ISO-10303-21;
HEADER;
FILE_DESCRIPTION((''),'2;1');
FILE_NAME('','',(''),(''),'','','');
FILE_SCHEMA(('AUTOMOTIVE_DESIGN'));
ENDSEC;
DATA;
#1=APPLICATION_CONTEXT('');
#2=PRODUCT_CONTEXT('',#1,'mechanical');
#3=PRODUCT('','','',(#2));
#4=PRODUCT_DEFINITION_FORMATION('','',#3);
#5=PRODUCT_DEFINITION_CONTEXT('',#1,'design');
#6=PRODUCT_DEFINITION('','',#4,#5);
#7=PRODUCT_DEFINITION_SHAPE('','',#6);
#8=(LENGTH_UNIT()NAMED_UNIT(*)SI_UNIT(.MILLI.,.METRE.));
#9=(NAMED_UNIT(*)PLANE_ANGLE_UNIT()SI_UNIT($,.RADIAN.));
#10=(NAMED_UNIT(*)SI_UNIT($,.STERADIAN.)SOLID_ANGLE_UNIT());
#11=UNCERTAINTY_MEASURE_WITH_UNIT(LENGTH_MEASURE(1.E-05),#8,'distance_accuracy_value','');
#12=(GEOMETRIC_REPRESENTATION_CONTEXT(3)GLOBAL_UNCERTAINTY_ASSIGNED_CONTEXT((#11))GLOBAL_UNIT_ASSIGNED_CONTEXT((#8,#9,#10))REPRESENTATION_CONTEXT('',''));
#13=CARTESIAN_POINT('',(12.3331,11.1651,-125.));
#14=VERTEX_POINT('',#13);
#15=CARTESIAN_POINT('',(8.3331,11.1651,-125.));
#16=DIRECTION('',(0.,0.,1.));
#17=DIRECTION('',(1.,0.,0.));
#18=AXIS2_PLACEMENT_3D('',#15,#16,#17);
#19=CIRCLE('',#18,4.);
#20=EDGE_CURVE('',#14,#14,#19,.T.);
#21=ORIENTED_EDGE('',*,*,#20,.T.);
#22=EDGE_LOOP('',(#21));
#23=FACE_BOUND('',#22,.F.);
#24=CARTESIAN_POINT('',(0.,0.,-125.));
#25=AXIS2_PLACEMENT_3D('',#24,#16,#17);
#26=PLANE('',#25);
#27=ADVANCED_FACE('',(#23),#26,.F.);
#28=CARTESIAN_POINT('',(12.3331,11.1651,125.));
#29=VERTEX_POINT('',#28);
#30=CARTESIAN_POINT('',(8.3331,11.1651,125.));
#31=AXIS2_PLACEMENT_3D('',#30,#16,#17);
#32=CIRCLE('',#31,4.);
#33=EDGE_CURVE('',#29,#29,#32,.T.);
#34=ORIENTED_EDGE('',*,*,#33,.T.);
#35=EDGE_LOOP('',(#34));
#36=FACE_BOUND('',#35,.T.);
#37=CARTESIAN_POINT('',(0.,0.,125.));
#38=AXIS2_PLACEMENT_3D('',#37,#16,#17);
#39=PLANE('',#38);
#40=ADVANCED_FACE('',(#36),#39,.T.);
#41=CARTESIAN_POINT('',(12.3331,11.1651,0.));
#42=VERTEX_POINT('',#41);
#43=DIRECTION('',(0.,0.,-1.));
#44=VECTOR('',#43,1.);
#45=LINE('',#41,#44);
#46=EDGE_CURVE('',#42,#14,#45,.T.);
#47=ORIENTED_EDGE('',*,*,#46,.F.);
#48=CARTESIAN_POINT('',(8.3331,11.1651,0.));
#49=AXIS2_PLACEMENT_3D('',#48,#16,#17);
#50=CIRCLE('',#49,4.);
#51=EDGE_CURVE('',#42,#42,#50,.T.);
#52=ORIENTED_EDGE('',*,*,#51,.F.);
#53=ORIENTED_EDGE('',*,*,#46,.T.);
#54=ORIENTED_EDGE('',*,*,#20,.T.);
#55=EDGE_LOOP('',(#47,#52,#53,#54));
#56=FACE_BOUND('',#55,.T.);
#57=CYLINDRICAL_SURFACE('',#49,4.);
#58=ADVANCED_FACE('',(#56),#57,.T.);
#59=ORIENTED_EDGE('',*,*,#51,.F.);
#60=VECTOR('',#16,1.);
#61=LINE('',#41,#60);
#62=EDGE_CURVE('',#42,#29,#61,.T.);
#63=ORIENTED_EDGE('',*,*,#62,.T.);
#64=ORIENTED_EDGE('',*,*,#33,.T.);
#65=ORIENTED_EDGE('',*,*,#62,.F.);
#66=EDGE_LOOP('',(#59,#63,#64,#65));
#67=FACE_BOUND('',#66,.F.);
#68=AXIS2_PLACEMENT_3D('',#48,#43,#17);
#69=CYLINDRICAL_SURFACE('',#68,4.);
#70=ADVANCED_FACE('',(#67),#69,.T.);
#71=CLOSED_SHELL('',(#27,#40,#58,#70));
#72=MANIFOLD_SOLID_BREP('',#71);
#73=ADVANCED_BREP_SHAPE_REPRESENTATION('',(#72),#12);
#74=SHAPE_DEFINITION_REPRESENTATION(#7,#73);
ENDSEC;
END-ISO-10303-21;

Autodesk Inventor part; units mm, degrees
ref_plane "YZ Plane" through (0, 0, 0) normal (1, 0, 0) x (0, 1, 0)
ref_plane "XZ Plane" through (0, 0, 0) normal (0, 1, 0) x (-1, 0, 0)
ref_plane "XY Plane" through (0, 0, 0) normal (0, 0, 1) x (1, 0, 0)
sketch "Sketch1" plane through (0, 0, 0) normal (0, 0, 1) x (1, 0, 0)
  circle A0 centre (8.3331, 11.1651) radius 4
  point P0 (0, 0)
  dimension "d0" = 8
extrude "Extrusion1" add sketch "Sketch1" along normal mid plane 250
properties part number "Lead Screw" material "Stainless Steel"
